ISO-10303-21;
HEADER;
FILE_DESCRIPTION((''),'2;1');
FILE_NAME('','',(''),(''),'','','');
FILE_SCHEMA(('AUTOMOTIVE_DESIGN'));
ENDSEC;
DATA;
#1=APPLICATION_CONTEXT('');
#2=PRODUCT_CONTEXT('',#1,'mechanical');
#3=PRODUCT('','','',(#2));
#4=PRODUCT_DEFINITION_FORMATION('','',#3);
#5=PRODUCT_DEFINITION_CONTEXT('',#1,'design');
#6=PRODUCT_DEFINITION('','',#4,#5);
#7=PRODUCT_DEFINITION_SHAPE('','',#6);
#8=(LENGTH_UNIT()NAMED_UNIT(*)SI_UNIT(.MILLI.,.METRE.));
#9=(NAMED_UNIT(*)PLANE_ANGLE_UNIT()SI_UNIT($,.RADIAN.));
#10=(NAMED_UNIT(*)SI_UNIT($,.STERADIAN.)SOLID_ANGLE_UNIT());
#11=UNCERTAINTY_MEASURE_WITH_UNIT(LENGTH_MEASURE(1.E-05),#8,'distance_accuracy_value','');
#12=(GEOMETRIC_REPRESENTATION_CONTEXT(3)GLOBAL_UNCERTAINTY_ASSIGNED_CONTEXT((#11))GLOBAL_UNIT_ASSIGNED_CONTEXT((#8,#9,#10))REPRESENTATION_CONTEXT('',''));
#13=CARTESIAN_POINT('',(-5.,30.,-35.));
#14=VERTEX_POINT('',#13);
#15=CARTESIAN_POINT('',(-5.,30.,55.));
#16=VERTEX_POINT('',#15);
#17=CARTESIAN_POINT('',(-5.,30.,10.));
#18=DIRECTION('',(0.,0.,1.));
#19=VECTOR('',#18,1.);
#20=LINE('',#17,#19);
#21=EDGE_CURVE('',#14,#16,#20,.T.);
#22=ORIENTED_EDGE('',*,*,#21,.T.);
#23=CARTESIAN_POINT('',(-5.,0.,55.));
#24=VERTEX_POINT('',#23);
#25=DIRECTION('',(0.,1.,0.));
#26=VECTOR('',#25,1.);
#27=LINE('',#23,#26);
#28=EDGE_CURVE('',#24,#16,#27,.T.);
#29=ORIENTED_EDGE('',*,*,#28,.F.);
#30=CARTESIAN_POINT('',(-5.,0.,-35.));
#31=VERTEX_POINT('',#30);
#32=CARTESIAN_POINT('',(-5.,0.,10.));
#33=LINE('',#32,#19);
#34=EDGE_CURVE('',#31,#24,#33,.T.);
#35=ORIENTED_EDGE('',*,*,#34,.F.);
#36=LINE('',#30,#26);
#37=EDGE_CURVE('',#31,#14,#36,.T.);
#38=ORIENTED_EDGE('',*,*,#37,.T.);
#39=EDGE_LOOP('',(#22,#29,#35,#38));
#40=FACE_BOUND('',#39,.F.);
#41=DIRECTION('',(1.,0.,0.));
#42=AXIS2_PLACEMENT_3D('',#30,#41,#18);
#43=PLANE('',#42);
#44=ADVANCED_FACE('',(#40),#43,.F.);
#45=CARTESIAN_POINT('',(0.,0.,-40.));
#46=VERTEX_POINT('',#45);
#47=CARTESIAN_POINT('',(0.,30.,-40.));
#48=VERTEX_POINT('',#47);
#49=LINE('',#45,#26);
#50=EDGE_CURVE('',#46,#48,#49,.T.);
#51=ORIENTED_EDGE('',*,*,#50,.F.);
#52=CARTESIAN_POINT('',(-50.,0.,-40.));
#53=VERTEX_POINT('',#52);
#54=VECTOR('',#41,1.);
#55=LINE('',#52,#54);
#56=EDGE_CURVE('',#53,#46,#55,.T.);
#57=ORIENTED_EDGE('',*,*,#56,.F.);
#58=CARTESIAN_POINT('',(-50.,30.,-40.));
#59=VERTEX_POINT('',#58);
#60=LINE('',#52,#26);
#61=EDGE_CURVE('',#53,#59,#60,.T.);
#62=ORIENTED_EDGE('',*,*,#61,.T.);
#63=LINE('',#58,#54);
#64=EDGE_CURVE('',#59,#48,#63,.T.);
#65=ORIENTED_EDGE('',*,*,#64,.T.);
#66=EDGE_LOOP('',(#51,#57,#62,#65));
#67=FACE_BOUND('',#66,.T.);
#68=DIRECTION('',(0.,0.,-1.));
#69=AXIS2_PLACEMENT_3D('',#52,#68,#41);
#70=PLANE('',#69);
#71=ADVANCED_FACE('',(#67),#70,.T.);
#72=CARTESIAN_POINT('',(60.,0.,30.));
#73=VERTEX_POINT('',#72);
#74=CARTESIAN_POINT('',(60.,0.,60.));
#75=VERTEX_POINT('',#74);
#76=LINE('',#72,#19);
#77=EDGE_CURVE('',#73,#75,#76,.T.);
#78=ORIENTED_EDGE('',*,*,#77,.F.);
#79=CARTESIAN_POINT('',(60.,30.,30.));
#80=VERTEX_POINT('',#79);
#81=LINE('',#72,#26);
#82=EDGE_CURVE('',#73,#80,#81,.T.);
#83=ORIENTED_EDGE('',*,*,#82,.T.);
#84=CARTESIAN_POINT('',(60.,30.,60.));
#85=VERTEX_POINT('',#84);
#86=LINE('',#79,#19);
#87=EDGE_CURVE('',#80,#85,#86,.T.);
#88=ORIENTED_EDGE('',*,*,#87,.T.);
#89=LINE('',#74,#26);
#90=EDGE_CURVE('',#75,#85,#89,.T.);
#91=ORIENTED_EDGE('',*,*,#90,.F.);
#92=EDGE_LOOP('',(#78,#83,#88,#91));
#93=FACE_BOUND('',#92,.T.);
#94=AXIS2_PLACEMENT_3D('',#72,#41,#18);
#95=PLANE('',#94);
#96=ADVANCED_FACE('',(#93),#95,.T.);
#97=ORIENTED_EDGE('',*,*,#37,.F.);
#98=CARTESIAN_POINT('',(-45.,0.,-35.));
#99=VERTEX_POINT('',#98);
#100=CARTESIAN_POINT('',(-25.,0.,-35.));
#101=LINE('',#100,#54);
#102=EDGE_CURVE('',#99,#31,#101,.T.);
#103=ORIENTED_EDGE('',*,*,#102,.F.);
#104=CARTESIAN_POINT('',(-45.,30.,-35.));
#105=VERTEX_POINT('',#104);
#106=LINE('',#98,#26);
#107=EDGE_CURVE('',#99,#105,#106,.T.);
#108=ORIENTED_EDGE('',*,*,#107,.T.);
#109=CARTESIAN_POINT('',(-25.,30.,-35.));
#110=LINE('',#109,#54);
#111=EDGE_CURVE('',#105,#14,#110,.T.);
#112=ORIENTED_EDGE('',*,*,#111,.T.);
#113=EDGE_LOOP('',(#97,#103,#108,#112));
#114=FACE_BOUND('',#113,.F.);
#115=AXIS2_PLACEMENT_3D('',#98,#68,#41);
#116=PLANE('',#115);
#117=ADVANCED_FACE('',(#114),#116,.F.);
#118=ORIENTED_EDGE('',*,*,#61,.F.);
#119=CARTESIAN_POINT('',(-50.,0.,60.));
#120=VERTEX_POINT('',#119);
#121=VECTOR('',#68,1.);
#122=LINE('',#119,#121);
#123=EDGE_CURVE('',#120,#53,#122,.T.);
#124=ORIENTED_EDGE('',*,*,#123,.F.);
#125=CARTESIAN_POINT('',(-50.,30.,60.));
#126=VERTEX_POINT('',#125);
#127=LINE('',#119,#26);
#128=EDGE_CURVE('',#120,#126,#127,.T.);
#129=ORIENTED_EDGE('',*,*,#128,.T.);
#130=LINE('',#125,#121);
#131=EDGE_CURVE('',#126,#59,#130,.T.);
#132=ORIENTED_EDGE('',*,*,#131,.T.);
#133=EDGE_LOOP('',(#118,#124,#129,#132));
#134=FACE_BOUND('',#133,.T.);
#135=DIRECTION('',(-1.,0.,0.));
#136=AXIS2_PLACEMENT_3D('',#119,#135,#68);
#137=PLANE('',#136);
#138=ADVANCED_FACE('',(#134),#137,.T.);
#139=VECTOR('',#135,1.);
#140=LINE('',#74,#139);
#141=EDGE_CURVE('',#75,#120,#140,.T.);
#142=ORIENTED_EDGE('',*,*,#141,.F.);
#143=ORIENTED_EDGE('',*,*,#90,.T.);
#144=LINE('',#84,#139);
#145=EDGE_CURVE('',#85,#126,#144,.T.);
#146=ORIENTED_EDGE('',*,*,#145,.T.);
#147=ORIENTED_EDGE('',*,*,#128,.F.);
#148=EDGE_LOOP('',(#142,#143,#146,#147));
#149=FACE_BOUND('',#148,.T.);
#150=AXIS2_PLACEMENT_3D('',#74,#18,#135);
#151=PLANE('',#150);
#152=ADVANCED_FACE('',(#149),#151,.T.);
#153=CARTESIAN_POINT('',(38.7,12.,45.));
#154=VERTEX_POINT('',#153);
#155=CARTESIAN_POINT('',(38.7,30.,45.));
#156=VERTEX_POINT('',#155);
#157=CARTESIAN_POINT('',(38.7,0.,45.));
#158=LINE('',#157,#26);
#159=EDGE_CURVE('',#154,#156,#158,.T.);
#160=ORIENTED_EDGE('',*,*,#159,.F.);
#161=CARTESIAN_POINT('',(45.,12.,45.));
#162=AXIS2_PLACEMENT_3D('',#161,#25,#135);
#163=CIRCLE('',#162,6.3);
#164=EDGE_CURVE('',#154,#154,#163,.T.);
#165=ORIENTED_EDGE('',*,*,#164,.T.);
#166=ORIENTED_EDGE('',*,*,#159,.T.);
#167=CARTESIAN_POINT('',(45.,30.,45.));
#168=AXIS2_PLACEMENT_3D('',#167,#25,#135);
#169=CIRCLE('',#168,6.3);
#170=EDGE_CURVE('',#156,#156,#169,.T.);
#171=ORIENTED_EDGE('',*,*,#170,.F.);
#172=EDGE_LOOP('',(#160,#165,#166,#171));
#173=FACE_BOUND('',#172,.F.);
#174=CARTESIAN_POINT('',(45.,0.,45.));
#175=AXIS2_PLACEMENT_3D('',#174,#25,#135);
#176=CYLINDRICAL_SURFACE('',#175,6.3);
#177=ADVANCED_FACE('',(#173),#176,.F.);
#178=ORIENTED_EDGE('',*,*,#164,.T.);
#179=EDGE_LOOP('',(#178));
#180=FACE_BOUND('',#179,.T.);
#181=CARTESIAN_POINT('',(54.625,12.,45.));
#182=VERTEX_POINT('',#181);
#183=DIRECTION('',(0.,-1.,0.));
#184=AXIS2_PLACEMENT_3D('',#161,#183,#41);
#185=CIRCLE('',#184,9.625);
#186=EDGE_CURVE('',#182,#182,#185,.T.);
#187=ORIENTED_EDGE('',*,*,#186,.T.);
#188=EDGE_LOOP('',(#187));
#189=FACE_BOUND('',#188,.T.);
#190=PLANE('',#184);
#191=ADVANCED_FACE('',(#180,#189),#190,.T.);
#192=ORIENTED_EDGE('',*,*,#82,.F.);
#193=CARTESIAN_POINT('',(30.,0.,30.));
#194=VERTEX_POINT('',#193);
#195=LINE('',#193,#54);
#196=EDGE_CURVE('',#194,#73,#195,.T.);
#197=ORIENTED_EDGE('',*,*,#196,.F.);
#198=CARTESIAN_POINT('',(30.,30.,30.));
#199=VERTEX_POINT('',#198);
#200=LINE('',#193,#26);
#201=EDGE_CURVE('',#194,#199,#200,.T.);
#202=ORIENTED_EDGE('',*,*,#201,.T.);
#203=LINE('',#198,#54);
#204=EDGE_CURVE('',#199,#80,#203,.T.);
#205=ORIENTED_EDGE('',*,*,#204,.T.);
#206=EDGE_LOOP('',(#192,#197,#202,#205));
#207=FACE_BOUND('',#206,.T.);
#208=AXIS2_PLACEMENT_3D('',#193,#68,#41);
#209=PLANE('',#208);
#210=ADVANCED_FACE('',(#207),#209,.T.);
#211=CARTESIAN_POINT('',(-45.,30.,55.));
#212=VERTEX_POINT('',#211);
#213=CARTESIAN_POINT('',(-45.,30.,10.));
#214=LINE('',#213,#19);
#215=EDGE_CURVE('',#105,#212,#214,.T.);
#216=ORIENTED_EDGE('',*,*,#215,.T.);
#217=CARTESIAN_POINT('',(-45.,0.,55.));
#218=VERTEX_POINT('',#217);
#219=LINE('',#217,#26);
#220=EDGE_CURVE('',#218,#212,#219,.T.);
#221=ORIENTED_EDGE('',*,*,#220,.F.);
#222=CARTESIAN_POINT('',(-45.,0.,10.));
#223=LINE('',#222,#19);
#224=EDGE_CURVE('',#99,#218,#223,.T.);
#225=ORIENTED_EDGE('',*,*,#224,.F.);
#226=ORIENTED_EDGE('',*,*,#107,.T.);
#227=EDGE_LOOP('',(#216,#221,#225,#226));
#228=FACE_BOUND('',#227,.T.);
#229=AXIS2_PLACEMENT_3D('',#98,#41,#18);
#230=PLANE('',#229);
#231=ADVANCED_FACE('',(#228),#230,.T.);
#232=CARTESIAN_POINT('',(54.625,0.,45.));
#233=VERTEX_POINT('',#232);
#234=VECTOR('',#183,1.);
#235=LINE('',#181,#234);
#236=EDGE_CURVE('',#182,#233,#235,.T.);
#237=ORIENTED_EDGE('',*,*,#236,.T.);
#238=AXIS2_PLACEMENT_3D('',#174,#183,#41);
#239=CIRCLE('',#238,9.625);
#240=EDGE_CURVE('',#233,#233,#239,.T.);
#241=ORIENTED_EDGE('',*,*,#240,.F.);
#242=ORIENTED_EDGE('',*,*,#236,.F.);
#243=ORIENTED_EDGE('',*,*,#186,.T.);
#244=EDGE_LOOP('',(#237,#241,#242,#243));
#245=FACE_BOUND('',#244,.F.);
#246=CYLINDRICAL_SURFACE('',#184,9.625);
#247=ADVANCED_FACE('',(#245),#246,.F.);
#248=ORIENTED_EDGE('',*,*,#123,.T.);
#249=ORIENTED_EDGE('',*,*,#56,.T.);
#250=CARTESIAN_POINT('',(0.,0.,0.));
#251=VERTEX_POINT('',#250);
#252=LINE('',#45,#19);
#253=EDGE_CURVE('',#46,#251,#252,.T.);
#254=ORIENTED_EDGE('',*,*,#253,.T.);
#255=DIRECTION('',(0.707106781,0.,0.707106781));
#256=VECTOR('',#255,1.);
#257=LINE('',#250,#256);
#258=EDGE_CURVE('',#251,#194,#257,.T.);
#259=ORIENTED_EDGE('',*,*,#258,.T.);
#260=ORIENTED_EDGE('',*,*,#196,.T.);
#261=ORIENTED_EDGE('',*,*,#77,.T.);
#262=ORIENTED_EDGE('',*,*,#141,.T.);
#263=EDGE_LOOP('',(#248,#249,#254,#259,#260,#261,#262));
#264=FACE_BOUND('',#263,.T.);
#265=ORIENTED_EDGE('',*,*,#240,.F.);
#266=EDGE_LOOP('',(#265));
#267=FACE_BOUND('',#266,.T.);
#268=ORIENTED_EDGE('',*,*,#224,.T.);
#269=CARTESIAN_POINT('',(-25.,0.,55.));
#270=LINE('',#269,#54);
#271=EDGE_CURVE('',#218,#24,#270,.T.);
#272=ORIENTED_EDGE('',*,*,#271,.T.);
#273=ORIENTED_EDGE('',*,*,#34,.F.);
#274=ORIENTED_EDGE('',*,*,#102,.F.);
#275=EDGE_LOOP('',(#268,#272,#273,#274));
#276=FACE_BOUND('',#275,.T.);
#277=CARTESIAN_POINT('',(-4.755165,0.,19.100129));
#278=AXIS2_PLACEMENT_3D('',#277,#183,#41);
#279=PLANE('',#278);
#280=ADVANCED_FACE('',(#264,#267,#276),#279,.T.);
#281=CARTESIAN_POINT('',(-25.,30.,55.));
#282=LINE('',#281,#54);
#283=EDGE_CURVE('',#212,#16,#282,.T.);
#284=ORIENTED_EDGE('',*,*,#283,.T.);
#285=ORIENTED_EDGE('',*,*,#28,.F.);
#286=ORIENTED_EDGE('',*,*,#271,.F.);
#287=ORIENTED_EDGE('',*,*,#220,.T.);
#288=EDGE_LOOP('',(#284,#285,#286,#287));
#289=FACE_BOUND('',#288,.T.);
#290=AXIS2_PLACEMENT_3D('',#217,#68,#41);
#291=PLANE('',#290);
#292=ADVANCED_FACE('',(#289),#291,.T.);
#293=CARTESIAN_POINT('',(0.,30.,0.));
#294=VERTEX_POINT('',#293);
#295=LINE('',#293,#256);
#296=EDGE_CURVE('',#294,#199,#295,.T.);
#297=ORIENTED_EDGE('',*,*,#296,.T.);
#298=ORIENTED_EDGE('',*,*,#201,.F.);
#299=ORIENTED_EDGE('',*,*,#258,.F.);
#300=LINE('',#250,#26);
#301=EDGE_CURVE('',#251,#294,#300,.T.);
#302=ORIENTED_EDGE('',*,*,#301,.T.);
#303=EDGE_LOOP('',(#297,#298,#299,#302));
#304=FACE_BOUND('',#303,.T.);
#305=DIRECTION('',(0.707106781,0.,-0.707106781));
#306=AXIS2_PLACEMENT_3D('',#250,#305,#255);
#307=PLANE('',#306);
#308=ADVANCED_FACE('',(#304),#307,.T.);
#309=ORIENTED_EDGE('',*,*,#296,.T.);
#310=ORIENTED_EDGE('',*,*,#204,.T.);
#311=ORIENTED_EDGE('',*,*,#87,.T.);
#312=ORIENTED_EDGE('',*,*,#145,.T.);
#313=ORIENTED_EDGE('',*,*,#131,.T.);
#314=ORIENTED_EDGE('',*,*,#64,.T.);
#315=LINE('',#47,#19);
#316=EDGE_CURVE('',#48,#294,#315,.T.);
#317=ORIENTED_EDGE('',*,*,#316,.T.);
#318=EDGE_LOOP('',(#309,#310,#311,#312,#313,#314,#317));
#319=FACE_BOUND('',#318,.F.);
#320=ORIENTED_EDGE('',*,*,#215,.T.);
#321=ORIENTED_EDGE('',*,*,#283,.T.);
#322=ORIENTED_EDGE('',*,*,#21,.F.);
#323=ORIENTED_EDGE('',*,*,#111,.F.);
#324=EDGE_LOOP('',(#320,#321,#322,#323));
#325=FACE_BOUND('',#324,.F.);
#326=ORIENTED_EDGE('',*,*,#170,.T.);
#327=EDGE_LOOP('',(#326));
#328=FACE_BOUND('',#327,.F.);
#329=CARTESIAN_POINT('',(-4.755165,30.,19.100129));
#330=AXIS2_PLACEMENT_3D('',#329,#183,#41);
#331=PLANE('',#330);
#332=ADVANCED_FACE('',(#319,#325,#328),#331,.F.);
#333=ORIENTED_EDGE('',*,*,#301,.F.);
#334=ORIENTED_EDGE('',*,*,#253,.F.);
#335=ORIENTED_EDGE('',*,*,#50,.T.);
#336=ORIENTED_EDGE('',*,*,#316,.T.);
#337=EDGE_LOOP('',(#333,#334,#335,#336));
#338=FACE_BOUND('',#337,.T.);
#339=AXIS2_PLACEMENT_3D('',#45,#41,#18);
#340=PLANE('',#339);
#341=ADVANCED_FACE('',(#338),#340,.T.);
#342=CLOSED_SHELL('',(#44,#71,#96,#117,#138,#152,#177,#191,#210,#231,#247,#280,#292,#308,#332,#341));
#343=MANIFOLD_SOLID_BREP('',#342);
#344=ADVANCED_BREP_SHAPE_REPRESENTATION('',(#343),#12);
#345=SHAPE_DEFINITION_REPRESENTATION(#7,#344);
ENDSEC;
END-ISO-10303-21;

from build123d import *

# Parameters (mm, degrees)
F0_W           = 40
F0_H           = 90
F1_DEPTH       = 30
F2_D           = 12.6
F2_CBORE_D     = 19.25
F2_CBORE_DEPTH = 12


with BuildPart() as f1:
    # F0 (on Front) → F1 (new body)
    with BuildSketch(Plane.XZ):
        Polygon((0, -40), (0, 0), (30, 30), (60, 30), (60, 60), (-50, 60), (-50, -40), align=None)
        with Locations((-25, 10)):
            Rectangle(F0_W, F0_H, mode=Mode.SUBTRACT)
    extrude(amount=-F1_DEPTH)

    # F2 (through all)
    with Locations(Plane.XZ):
        with Locations((45, 45)):
            CounterBoreHole(F2_D / 2, F2_CBORE_D / 2, F2_CBORE_DEPTH)


solid = f1.part
